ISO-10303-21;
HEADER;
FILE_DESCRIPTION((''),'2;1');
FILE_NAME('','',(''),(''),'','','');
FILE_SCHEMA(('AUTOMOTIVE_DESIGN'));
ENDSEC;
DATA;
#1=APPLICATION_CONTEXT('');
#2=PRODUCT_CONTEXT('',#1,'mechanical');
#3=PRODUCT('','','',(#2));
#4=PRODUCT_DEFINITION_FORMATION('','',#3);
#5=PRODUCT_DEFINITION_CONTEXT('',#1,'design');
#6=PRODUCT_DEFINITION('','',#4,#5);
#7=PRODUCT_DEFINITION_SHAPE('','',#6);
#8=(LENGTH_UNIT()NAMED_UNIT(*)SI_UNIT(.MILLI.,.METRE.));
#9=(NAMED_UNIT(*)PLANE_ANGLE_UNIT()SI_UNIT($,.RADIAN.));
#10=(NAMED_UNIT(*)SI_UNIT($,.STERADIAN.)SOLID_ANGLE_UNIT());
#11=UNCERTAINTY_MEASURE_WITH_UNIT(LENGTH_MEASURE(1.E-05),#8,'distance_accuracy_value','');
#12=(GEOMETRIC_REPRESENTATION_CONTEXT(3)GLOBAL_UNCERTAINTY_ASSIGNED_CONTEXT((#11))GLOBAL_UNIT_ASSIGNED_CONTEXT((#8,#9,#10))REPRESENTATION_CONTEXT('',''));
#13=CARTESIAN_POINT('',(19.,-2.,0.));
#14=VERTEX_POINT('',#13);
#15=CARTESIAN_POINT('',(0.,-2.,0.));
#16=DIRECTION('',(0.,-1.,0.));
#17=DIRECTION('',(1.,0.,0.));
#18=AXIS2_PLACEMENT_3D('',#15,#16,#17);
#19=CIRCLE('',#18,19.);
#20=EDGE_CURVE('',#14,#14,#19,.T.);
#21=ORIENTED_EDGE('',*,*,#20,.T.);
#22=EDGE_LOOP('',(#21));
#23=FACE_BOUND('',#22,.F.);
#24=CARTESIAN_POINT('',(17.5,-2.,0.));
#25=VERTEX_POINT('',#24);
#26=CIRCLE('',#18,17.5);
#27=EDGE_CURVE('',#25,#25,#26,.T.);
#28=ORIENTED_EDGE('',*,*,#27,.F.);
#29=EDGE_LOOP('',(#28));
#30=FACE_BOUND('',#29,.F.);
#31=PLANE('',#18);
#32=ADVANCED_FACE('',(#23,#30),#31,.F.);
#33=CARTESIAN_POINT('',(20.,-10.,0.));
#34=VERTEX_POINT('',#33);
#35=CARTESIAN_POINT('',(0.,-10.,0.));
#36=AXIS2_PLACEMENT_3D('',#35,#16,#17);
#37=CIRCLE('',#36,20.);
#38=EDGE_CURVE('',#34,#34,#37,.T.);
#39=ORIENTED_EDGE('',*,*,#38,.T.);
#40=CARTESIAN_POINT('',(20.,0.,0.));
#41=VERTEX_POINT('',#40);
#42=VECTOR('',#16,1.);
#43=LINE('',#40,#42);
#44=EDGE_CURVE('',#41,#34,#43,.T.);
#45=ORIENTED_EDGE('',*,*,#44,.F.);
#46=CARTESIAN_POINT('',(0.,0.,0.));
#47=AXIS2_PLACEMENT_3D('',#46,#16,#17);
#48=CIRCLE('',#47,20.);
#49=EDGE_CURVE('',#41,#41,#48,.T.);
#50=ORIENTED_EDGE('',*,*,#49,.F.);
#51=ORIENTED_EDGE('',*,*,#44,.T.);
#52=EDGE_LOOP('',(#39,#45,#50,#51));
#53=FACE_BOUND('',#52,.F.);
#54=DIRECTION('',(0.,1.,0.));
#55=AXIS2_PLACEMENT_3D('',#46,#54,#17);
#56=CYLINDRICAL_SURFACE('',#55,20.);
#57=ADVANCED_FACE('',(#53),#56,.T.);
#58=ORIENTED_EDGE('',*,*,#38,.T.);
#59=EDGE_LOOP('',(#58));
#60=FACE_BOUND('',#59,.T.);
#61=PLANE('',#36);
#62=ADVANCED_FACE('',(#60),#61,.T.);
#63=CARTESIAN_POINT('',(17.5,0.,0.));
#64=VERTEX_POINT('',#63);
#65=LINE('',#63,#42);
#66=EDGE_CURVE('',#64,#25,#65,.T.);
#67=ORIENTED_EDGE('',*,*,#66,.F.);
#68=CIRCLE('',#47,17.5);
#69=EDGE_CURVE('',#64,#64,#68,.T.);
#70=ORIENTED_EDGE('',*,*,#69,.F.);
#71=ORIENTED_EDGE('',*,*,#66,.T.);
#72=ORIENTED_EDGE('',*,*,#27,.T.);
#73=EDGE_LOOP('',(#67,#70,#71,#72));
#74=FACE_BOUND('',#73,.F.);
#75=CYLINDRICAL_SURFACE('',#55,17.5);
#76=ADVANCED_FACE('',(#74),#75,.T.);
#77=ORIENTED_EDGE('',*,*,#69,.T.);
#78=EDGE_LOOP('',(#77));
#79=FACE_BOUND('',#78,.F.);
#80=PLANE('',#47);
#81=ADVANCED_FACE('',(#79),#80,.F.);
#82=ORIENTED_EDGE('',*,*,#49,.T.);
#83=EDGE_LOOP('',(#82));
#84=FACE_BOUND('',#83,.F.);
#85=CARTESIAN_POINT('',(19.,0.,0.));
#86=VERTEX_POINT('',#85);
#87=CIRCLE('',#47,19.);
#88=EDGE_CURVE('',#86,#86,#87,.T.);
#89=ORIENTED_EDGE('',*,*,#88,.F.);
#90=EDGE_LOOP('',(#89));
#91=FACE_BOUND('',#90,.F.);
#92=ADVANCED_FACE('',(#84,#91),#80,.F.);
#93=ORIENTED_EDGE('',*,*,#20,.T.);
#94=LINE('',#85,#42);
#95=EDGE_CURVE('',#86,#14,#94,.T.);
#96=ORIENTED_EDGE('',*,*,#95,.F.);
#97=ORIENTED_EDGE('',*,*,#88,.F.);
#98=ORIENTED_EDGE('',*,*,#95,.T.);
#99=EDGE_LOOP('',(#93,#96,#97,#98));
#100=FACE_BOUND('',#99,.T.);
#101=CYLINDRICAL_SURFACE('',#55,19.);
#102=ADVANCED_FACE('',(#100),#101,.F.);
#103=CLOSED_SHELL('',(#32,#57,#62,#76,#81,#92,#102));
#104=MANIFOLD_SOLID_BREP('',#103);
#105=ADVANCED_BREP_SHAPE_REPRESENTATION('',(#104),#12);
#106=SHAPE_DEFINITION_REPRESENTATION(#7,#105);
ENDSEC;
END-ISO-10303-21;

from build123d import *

# Parameters (mm, degrees)
F0_R     = 20
F1_DEPTH = 10
F2_R     = 19
F2_R_2   = 17.5
F3_DEPTH = 2


with BuildPart() as f1:
    # F0 (on Front) → F1 (new body)
    with BuildSketch(Plane.XZ):
        Circle(F0_R)
    extrude(amount=F1_DEPTH)

    # F2 (on Front) → F3 (cut)
    with BuildSketch(Plane.XZ):
        Circle(F2_R)
        Circle(F2_R_2, mode=Mode.SUBTRACT)
    extrude(amount=F3_DEPTH, mode=Mode.SUBTRACT)


solid = f1.part
